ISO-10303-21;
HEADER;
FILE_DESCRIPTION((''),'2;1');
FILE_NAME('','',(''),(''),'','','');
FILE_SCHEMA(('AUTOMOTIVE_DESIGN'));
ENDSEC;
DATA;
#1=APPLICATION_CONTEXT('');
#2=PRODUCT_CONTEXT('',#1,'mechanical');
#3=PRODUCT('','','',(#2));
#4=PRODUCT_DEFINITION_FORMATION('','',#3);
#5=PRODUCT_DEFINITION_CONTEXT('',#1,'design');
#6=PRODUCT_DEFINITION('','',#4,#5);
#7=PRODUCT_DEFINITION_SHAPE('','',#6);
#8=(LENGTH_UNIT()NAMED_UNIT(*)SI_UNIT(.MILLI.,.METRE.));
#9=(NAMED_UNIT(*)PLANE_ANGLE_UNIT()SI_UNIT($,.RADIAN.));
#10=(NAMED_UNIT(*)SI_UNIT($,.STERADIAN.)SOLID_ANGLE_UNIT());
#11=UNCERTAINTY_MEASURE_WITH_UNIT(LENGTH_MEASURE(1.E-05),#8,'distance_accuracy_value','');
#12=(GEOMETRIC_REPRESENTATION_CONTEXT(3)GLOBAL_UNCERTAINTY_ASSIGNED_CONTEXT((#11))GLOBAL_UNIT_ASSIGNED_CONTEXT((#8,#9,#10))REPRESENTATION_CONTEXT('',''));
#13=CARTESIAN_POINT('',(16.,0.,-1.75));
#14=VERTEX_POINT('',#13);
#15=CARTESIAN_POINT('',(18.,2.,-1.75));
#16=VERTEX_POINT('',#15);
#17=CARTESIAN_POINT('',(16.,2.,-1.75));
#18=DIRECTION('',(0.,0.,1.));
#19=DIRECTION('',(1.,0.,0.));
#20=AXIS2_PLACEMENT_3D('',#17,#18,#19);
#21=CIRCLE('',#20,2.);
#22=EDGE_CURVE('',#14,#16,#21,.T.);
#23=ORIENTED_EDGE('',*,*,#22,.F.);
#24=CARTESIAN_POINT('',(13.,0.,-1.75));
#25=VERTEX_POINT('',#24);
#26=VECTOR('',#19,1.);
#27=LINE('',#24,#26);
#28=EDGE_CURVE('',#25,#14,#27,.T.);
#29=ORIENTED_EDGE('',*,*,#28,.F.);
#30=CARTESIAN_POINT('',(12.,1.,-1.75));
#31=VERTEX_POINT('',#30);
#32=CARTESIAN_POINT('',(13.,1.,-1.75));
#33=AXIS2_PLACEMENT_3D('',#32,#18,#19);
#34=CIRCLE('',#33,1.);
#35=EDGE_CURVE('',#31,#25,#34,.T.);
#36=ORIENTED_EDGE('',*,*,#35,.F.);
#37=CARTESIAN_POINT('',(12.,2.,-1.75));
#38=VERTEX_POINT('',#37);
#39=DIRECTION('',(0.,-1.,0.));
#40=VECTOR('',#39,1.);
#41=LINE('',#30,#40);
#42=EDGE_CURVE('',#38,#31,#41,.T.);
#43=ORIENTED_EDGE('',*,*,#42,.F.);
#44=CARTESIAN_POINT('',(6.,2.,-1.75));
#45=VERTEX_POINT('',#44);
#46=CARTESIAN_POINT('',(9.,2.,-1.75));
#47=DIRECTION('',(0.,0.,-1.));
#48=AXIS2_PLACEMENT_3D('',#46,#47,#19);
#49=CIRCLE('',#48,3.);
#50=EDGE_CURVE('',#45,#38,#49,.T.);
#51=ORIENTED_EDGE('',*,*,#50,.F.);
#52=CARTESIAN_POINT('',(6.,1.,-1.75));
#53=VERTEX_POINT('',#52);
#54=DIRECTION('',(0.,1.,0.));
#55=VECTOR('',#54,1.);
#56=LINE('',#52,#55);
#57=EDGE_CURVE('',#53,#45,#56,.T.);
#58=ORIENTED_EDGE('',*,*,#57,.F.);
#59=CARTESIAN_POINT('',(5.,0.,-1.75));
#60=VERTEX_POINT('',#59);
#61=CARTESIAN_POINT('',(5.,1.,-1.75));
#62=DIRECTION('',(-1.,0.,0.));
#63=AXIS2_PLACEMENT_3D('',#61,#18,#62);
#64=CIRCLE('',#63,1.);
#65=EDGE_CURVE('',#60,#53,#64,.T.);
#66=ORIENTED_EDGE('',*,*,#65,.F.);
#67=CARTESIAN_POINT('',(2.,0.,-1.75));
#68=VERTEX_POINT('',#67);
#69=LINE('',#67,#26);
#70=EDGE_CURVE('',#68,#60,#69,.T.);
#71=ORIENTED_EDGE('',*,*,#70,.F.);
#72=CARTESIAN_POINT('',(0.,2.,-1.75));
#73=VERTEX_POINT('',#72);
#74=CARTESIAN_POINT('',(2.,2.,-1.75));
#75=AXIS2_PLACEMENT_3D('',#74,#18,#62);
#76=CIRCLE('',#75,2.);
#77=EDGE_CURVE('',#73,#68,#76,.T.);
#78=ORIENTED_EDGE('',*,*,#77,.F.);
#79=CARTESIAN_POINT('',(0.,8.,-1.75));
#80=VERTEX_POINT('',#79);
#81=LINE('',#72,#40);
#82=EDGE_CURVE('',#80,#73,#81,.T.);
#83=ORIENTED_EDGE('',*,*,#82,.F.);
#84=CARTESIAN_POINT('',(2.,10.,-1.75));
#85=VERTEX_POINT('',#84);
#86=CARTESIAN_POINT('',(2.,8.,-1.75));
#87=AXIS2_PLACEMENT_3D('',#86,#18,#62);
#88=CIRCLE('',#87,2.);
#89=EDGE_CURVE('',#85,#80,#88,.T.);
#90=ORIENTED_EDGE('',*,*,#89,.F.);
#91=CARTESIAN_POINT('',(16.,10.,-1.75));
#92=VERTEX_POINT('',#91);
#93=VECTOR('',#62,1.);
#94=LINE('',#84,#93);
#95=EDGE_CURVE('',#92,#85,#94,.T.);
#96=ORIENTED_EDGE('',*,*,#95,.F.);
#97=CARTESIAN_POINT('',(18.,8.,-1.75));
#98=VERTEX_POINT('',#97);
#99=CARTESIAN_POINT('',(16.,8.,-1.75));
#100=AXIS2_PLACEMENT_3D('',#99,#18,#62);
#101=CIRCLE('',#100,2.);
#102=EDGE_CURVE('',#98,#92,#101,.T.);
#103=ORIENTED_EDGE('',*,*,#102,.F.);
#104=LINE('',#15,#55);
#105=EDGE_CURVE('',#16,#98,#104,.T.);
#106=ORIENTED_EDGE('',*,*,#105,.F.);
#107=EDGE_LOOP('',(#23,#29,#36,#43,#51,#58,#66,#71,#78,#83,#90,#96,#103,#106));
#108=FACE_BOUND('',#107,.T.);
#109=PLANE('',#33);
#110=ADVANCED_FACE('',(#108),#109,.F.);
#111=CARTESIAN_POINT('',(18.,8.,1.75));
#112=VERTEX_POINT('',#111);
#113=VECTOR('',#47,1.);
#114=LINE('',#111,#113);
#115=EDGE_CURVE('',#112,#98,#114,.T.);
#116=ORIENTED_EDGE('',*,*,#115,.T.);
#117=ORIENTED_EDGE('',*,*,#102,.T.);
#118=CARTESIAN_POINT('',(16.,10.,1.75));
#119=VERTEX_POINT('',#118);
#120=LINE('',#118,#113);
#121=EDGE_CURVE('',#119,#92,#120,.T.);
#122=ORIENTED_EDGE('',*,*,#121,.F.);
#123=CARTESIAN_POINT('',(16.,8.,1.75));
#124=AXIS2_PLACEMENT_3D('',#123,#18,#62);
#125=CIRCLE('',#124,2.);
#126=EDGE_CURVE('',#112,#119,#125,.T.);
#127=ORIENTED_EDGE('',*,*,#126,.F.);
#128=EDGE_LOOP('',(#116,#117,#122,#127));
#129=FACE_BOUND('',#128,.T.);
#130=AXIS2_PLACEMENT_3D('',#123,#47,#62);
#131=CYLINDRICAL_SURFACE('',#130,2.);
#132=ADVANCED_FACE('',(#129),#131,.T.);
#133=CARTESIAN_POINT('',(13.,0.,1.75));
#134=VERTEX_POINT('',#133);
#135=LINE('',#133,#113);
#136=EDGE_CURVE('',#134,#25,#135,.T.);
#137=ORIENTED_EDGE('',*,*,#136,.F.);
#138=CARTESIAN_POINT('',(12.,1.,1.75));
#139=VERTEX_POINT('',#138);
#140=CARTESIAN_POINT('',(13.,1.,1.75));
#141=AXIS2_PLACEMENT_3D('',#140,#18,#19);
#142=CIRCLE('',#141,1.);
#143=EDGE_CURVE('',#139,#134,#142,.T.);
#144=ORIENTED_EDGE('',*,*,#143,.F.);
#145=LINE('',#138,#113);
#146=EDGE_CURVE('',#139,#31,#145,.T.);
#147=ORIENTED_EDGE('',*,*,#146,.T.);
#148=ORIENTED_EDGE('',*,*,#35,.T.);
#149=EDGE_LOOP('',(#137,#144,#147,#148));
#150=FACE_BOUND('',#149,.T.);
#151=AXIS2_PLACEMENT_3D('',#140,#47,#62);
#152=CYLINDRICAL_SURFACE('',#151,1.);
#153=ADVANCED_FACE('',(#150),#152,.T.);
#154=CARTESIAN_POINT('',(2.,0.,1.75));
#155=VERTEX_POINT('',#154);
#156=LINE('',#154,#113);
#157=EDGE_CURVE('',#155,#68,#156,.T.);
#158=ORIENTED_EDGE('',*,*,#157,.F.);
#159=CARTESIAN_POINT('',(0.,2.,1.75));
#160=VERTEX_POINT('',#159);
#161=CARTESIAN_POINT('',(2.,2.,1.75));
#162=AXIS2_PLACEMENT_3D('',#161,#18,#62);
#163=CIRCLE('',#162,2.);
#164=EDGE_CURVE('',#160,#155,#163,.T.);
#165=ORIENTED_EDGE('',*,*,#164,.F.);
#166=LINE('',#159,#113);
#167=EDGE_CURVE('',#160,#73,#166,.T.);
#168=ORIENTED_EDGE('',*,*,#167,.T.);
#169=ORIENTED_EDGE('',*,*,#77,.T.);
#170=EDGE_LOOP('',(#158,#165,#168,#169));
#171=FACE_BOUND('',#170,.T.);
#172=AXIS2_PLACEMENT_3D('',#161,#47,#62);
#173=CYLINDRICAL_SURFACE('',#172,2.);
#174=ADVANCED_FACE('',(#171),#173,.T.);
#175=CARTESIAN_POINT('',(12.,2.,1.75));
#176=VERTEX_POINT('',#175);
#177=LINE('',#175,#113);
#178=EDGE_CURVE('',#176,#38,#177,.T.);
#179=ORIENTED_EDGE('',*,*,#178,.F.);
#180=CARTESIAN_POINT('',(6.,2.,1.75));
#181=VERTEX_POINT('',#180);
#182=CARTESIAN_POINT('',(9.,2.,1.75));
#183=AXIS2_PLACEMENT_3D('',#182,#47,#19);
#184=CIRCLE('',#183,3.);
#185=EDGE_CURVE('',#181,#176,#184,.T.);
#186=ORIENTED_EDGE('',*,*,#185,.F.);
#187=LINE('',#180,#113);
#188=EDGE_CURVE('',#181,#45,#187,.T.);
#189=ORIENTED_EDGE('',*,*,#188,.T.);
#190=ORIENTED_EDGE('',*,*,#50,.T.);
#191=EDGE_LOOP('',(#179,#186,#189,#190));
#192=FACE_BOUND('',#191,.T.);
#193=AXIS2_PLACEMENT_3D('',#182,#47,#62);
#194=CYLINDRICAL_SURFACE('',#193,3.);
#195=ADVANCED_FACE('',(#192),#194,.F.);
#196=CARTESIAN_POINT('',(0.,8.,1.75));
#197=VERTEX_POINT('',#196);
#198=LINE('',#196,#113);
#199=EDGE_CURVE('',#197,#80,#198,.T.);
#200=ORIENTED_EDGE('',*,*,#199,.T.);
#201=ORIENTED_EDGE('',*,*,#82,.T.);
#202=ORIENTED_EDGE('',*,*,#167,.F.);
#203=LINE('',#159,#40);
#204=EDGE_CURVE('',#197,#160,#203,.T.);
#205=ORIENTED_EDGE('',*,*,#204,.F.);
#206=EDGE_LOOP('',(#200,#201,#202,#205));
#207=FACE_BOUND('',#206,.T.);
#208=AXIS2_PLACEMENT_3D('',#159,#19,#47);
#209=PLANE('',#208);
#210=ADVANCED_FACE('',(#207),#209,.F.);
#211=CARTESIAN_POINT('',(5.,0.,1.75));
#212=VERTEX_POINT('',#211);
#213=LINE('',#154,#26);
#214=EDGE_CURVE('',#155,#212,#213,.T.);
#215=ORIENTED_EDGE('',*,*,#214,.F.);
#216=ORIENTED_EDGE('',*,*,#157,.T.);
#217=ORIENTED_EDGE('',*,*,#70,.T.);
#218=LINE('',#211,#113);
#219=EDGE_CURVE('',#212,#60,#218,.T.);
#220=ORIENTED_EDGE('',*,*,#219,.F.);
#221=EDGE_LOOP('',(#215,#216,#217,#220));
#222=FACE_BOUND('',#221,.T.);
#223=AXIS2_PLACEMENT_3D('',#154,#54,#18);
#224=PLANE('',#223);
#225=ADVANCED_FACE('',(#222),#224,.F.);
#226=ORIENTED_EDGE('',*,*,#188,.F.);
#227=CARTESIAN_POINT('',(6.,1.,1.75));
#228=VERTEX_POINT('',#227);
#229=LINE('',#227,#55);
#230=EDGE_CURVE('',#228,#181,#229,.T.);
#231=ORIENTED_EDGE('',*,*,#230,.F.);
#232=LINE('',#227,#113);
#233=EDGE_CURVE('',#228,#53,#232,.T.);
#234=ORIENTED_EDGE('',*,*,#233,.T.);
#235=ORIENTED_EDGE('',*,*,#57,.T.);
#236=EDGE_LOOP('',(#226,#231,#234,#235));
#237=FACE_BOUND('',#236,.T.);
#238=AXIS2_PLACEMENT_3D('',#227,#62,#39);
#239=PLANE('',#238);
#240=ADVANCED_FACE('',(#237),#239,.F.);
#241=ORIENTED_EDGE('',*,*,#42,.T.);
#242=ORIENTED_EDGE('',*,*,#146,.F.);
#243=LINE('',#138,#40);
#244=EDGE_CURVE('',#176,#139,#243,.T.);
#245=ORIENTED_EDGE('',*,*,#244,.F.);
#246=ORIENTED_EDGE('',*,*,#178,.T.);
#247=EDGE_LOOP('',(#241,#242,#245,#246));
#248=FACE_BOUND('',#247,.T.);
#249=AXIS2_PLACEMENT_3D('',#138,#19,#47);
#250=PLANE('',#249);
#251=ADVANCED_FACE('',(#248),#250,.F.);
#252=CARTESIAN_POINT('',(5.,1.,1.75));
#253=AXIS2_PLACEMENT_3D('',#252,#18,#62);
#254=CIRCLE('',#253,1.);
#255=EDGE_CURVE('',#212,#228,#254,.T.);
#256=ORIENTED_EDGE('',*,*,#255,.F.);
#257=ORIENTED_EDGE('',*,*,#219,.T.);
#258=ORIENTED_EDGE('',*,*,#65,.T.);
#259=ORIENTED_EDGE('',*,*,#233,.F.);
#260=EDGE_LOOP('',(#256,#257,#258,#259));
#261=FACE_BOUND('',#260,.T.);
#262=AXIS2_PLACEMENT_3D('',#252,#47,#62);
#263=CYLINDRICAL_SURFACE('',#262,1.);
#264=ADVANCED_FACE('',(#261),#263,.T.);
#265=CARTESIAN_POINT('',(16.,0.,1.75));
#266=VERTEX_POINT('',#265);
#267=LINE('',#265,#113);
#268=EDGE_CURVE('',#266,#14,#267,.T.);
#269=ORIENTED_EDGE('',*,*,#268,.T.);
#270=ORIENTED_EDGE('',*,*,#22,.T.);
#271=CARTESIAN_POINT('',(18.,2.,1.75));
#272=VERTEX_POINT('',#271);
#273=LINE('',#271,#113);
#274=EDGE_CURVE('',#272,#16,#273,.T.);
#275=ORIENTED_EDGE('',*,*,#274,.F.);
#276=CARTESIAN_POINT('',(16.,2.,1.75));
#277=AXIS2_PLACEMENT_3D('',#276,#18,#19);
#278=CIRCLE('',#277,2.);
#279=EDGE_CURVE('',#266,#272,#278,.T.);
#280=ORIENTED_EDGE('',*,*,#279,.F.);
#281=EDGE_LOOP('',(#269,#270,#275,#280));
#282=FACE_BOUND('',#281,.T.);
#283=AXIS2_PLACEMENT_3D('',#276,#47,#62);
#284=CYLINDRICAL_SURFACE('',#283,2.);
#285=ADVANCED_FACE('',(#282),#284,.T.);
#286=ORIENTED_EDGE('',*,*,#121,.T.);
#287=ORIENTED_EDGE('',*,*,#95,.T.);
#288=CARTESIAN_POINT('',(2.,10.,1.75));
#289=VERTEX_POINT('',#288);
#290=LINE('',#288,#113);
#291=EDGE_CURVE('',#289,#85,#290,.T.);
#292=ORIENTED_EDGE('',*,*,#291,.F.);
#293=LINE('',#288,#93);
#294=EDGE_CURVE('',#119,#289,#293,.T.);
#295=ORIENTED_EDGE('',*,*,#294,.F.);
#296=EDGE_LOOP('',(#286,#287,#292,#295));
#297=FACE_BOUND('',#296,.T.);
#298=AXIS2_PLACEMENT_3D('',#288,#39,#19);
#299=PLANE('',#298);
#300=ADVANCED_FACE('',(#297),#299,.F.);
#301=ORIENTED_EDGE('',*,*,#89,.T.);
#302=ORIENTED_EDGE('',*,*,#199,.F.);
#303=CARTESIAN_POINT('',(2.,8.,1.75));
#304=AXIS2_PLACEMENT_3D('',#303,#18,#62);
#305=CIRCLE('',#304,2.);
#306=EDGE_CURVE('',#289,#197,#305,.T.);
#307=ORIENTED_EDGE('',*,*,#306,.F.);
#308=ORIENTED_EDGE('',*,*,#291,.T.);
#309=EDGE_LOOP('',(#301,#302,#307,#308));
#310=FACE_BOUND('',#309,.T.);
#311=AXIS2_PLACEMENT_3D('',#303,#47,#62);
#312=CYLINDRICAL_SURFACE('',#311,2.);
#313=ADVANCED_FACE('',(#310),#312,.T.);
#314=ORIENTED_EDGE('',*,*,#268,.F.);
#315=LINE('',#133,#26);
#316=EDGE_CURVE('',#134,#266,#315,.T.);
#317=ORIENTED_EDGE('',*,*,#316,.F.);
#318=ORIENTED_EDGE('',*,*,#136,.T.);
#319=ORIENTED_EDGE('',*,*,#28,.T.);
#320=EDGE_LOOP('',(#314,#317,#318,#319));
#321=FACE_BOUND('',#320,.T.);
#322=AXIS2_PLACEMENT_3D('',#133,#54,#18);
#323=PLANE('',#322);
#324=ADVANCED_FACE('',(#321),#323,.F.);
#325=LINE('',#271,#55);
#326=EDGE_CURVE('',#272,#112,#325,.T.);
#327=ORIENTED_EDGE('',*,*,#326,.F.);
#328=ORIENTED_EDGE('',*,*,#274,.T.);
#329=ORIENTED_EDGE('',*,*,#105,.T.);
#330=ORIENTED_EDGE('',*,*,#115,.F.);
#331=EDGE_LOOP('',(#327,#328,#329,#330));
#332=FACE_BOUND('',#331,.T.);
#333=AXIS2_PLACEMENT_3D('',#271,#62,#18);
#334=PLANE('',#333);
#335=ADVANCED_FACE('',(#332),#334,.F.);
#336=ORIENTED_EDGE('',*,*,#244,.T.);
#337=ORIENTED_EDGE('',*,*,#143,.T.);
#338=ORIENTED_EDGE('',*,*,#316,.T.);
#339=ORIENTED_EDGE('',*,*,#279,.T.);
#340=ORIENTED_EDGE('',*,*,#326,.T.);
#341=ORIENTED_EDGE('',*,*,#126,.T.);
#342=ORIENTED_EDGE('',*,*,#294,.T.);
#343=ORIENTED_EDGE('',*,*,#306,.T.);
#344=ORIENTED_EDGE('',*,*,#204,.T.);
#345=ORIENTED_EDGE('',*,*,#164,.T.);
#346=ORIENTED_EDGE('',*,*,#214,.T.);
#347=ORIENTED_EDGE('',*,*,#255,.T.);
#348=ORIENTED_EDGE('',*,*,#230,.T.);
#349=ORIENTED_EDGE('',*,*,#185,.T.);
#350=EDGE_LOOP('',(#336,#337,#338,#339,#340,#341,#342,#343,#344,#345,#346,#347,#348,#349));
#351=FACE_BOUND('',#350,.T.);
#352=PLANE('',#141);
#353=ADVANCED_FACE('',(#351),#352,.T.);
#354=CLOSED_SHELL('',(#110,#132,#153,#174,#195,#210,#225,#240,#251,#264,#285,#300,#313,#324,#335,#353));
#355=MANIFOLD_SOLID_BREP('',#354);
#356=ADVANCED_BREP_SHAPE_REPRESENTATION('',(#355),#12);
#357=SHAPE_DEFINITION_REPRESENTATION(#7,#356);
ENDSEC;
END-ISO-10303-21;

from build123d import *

# Parameters (mm, degrees)
BOSS_EXTRUDE1_DEPTH = 1.75


with BuildPart() as part:
    # Sketch1 → Boss-Extrude1 (new body, symmetric)
    with BuildSketch(Plane.XY):
        with BuildLine():
            Line((2, 0), (5, 0))
            ThreePointArc((5, 0), (5.707106781, 0.292893219), (6, 1))
            Line((6, 1), (6, 2))
            ThreePointArc((6, 2), (9, 5), (12, 2))
            Line((12, 2), (12, 1))
            ThreePointArc((12, 1), (12.292893219, 0.292893219), (13, 0))
            Line((13, 0), (16, 0))
            ThreePointArc((16, 0), (17.414213562, 0.585786438), (18, 2))
            Line((18, 2), (18, 8))
            ThreePointArc((18, 8), (17.414213562, 9.414213562), (16, 10))
            Line((16, 10), (2, 10))
            ThreePointArc((2, 10), (0.585786438, 9.414213562), (0, 8))
            Line((0, 8), (0, 2))
            ThreePointArc((0, 2), (0.585786438, 0.585786438), (2, 0))
        make_face()
    extrude(amount=BOSS_EXTRUDE1_DEPTH, both=True)


solid = part.part
